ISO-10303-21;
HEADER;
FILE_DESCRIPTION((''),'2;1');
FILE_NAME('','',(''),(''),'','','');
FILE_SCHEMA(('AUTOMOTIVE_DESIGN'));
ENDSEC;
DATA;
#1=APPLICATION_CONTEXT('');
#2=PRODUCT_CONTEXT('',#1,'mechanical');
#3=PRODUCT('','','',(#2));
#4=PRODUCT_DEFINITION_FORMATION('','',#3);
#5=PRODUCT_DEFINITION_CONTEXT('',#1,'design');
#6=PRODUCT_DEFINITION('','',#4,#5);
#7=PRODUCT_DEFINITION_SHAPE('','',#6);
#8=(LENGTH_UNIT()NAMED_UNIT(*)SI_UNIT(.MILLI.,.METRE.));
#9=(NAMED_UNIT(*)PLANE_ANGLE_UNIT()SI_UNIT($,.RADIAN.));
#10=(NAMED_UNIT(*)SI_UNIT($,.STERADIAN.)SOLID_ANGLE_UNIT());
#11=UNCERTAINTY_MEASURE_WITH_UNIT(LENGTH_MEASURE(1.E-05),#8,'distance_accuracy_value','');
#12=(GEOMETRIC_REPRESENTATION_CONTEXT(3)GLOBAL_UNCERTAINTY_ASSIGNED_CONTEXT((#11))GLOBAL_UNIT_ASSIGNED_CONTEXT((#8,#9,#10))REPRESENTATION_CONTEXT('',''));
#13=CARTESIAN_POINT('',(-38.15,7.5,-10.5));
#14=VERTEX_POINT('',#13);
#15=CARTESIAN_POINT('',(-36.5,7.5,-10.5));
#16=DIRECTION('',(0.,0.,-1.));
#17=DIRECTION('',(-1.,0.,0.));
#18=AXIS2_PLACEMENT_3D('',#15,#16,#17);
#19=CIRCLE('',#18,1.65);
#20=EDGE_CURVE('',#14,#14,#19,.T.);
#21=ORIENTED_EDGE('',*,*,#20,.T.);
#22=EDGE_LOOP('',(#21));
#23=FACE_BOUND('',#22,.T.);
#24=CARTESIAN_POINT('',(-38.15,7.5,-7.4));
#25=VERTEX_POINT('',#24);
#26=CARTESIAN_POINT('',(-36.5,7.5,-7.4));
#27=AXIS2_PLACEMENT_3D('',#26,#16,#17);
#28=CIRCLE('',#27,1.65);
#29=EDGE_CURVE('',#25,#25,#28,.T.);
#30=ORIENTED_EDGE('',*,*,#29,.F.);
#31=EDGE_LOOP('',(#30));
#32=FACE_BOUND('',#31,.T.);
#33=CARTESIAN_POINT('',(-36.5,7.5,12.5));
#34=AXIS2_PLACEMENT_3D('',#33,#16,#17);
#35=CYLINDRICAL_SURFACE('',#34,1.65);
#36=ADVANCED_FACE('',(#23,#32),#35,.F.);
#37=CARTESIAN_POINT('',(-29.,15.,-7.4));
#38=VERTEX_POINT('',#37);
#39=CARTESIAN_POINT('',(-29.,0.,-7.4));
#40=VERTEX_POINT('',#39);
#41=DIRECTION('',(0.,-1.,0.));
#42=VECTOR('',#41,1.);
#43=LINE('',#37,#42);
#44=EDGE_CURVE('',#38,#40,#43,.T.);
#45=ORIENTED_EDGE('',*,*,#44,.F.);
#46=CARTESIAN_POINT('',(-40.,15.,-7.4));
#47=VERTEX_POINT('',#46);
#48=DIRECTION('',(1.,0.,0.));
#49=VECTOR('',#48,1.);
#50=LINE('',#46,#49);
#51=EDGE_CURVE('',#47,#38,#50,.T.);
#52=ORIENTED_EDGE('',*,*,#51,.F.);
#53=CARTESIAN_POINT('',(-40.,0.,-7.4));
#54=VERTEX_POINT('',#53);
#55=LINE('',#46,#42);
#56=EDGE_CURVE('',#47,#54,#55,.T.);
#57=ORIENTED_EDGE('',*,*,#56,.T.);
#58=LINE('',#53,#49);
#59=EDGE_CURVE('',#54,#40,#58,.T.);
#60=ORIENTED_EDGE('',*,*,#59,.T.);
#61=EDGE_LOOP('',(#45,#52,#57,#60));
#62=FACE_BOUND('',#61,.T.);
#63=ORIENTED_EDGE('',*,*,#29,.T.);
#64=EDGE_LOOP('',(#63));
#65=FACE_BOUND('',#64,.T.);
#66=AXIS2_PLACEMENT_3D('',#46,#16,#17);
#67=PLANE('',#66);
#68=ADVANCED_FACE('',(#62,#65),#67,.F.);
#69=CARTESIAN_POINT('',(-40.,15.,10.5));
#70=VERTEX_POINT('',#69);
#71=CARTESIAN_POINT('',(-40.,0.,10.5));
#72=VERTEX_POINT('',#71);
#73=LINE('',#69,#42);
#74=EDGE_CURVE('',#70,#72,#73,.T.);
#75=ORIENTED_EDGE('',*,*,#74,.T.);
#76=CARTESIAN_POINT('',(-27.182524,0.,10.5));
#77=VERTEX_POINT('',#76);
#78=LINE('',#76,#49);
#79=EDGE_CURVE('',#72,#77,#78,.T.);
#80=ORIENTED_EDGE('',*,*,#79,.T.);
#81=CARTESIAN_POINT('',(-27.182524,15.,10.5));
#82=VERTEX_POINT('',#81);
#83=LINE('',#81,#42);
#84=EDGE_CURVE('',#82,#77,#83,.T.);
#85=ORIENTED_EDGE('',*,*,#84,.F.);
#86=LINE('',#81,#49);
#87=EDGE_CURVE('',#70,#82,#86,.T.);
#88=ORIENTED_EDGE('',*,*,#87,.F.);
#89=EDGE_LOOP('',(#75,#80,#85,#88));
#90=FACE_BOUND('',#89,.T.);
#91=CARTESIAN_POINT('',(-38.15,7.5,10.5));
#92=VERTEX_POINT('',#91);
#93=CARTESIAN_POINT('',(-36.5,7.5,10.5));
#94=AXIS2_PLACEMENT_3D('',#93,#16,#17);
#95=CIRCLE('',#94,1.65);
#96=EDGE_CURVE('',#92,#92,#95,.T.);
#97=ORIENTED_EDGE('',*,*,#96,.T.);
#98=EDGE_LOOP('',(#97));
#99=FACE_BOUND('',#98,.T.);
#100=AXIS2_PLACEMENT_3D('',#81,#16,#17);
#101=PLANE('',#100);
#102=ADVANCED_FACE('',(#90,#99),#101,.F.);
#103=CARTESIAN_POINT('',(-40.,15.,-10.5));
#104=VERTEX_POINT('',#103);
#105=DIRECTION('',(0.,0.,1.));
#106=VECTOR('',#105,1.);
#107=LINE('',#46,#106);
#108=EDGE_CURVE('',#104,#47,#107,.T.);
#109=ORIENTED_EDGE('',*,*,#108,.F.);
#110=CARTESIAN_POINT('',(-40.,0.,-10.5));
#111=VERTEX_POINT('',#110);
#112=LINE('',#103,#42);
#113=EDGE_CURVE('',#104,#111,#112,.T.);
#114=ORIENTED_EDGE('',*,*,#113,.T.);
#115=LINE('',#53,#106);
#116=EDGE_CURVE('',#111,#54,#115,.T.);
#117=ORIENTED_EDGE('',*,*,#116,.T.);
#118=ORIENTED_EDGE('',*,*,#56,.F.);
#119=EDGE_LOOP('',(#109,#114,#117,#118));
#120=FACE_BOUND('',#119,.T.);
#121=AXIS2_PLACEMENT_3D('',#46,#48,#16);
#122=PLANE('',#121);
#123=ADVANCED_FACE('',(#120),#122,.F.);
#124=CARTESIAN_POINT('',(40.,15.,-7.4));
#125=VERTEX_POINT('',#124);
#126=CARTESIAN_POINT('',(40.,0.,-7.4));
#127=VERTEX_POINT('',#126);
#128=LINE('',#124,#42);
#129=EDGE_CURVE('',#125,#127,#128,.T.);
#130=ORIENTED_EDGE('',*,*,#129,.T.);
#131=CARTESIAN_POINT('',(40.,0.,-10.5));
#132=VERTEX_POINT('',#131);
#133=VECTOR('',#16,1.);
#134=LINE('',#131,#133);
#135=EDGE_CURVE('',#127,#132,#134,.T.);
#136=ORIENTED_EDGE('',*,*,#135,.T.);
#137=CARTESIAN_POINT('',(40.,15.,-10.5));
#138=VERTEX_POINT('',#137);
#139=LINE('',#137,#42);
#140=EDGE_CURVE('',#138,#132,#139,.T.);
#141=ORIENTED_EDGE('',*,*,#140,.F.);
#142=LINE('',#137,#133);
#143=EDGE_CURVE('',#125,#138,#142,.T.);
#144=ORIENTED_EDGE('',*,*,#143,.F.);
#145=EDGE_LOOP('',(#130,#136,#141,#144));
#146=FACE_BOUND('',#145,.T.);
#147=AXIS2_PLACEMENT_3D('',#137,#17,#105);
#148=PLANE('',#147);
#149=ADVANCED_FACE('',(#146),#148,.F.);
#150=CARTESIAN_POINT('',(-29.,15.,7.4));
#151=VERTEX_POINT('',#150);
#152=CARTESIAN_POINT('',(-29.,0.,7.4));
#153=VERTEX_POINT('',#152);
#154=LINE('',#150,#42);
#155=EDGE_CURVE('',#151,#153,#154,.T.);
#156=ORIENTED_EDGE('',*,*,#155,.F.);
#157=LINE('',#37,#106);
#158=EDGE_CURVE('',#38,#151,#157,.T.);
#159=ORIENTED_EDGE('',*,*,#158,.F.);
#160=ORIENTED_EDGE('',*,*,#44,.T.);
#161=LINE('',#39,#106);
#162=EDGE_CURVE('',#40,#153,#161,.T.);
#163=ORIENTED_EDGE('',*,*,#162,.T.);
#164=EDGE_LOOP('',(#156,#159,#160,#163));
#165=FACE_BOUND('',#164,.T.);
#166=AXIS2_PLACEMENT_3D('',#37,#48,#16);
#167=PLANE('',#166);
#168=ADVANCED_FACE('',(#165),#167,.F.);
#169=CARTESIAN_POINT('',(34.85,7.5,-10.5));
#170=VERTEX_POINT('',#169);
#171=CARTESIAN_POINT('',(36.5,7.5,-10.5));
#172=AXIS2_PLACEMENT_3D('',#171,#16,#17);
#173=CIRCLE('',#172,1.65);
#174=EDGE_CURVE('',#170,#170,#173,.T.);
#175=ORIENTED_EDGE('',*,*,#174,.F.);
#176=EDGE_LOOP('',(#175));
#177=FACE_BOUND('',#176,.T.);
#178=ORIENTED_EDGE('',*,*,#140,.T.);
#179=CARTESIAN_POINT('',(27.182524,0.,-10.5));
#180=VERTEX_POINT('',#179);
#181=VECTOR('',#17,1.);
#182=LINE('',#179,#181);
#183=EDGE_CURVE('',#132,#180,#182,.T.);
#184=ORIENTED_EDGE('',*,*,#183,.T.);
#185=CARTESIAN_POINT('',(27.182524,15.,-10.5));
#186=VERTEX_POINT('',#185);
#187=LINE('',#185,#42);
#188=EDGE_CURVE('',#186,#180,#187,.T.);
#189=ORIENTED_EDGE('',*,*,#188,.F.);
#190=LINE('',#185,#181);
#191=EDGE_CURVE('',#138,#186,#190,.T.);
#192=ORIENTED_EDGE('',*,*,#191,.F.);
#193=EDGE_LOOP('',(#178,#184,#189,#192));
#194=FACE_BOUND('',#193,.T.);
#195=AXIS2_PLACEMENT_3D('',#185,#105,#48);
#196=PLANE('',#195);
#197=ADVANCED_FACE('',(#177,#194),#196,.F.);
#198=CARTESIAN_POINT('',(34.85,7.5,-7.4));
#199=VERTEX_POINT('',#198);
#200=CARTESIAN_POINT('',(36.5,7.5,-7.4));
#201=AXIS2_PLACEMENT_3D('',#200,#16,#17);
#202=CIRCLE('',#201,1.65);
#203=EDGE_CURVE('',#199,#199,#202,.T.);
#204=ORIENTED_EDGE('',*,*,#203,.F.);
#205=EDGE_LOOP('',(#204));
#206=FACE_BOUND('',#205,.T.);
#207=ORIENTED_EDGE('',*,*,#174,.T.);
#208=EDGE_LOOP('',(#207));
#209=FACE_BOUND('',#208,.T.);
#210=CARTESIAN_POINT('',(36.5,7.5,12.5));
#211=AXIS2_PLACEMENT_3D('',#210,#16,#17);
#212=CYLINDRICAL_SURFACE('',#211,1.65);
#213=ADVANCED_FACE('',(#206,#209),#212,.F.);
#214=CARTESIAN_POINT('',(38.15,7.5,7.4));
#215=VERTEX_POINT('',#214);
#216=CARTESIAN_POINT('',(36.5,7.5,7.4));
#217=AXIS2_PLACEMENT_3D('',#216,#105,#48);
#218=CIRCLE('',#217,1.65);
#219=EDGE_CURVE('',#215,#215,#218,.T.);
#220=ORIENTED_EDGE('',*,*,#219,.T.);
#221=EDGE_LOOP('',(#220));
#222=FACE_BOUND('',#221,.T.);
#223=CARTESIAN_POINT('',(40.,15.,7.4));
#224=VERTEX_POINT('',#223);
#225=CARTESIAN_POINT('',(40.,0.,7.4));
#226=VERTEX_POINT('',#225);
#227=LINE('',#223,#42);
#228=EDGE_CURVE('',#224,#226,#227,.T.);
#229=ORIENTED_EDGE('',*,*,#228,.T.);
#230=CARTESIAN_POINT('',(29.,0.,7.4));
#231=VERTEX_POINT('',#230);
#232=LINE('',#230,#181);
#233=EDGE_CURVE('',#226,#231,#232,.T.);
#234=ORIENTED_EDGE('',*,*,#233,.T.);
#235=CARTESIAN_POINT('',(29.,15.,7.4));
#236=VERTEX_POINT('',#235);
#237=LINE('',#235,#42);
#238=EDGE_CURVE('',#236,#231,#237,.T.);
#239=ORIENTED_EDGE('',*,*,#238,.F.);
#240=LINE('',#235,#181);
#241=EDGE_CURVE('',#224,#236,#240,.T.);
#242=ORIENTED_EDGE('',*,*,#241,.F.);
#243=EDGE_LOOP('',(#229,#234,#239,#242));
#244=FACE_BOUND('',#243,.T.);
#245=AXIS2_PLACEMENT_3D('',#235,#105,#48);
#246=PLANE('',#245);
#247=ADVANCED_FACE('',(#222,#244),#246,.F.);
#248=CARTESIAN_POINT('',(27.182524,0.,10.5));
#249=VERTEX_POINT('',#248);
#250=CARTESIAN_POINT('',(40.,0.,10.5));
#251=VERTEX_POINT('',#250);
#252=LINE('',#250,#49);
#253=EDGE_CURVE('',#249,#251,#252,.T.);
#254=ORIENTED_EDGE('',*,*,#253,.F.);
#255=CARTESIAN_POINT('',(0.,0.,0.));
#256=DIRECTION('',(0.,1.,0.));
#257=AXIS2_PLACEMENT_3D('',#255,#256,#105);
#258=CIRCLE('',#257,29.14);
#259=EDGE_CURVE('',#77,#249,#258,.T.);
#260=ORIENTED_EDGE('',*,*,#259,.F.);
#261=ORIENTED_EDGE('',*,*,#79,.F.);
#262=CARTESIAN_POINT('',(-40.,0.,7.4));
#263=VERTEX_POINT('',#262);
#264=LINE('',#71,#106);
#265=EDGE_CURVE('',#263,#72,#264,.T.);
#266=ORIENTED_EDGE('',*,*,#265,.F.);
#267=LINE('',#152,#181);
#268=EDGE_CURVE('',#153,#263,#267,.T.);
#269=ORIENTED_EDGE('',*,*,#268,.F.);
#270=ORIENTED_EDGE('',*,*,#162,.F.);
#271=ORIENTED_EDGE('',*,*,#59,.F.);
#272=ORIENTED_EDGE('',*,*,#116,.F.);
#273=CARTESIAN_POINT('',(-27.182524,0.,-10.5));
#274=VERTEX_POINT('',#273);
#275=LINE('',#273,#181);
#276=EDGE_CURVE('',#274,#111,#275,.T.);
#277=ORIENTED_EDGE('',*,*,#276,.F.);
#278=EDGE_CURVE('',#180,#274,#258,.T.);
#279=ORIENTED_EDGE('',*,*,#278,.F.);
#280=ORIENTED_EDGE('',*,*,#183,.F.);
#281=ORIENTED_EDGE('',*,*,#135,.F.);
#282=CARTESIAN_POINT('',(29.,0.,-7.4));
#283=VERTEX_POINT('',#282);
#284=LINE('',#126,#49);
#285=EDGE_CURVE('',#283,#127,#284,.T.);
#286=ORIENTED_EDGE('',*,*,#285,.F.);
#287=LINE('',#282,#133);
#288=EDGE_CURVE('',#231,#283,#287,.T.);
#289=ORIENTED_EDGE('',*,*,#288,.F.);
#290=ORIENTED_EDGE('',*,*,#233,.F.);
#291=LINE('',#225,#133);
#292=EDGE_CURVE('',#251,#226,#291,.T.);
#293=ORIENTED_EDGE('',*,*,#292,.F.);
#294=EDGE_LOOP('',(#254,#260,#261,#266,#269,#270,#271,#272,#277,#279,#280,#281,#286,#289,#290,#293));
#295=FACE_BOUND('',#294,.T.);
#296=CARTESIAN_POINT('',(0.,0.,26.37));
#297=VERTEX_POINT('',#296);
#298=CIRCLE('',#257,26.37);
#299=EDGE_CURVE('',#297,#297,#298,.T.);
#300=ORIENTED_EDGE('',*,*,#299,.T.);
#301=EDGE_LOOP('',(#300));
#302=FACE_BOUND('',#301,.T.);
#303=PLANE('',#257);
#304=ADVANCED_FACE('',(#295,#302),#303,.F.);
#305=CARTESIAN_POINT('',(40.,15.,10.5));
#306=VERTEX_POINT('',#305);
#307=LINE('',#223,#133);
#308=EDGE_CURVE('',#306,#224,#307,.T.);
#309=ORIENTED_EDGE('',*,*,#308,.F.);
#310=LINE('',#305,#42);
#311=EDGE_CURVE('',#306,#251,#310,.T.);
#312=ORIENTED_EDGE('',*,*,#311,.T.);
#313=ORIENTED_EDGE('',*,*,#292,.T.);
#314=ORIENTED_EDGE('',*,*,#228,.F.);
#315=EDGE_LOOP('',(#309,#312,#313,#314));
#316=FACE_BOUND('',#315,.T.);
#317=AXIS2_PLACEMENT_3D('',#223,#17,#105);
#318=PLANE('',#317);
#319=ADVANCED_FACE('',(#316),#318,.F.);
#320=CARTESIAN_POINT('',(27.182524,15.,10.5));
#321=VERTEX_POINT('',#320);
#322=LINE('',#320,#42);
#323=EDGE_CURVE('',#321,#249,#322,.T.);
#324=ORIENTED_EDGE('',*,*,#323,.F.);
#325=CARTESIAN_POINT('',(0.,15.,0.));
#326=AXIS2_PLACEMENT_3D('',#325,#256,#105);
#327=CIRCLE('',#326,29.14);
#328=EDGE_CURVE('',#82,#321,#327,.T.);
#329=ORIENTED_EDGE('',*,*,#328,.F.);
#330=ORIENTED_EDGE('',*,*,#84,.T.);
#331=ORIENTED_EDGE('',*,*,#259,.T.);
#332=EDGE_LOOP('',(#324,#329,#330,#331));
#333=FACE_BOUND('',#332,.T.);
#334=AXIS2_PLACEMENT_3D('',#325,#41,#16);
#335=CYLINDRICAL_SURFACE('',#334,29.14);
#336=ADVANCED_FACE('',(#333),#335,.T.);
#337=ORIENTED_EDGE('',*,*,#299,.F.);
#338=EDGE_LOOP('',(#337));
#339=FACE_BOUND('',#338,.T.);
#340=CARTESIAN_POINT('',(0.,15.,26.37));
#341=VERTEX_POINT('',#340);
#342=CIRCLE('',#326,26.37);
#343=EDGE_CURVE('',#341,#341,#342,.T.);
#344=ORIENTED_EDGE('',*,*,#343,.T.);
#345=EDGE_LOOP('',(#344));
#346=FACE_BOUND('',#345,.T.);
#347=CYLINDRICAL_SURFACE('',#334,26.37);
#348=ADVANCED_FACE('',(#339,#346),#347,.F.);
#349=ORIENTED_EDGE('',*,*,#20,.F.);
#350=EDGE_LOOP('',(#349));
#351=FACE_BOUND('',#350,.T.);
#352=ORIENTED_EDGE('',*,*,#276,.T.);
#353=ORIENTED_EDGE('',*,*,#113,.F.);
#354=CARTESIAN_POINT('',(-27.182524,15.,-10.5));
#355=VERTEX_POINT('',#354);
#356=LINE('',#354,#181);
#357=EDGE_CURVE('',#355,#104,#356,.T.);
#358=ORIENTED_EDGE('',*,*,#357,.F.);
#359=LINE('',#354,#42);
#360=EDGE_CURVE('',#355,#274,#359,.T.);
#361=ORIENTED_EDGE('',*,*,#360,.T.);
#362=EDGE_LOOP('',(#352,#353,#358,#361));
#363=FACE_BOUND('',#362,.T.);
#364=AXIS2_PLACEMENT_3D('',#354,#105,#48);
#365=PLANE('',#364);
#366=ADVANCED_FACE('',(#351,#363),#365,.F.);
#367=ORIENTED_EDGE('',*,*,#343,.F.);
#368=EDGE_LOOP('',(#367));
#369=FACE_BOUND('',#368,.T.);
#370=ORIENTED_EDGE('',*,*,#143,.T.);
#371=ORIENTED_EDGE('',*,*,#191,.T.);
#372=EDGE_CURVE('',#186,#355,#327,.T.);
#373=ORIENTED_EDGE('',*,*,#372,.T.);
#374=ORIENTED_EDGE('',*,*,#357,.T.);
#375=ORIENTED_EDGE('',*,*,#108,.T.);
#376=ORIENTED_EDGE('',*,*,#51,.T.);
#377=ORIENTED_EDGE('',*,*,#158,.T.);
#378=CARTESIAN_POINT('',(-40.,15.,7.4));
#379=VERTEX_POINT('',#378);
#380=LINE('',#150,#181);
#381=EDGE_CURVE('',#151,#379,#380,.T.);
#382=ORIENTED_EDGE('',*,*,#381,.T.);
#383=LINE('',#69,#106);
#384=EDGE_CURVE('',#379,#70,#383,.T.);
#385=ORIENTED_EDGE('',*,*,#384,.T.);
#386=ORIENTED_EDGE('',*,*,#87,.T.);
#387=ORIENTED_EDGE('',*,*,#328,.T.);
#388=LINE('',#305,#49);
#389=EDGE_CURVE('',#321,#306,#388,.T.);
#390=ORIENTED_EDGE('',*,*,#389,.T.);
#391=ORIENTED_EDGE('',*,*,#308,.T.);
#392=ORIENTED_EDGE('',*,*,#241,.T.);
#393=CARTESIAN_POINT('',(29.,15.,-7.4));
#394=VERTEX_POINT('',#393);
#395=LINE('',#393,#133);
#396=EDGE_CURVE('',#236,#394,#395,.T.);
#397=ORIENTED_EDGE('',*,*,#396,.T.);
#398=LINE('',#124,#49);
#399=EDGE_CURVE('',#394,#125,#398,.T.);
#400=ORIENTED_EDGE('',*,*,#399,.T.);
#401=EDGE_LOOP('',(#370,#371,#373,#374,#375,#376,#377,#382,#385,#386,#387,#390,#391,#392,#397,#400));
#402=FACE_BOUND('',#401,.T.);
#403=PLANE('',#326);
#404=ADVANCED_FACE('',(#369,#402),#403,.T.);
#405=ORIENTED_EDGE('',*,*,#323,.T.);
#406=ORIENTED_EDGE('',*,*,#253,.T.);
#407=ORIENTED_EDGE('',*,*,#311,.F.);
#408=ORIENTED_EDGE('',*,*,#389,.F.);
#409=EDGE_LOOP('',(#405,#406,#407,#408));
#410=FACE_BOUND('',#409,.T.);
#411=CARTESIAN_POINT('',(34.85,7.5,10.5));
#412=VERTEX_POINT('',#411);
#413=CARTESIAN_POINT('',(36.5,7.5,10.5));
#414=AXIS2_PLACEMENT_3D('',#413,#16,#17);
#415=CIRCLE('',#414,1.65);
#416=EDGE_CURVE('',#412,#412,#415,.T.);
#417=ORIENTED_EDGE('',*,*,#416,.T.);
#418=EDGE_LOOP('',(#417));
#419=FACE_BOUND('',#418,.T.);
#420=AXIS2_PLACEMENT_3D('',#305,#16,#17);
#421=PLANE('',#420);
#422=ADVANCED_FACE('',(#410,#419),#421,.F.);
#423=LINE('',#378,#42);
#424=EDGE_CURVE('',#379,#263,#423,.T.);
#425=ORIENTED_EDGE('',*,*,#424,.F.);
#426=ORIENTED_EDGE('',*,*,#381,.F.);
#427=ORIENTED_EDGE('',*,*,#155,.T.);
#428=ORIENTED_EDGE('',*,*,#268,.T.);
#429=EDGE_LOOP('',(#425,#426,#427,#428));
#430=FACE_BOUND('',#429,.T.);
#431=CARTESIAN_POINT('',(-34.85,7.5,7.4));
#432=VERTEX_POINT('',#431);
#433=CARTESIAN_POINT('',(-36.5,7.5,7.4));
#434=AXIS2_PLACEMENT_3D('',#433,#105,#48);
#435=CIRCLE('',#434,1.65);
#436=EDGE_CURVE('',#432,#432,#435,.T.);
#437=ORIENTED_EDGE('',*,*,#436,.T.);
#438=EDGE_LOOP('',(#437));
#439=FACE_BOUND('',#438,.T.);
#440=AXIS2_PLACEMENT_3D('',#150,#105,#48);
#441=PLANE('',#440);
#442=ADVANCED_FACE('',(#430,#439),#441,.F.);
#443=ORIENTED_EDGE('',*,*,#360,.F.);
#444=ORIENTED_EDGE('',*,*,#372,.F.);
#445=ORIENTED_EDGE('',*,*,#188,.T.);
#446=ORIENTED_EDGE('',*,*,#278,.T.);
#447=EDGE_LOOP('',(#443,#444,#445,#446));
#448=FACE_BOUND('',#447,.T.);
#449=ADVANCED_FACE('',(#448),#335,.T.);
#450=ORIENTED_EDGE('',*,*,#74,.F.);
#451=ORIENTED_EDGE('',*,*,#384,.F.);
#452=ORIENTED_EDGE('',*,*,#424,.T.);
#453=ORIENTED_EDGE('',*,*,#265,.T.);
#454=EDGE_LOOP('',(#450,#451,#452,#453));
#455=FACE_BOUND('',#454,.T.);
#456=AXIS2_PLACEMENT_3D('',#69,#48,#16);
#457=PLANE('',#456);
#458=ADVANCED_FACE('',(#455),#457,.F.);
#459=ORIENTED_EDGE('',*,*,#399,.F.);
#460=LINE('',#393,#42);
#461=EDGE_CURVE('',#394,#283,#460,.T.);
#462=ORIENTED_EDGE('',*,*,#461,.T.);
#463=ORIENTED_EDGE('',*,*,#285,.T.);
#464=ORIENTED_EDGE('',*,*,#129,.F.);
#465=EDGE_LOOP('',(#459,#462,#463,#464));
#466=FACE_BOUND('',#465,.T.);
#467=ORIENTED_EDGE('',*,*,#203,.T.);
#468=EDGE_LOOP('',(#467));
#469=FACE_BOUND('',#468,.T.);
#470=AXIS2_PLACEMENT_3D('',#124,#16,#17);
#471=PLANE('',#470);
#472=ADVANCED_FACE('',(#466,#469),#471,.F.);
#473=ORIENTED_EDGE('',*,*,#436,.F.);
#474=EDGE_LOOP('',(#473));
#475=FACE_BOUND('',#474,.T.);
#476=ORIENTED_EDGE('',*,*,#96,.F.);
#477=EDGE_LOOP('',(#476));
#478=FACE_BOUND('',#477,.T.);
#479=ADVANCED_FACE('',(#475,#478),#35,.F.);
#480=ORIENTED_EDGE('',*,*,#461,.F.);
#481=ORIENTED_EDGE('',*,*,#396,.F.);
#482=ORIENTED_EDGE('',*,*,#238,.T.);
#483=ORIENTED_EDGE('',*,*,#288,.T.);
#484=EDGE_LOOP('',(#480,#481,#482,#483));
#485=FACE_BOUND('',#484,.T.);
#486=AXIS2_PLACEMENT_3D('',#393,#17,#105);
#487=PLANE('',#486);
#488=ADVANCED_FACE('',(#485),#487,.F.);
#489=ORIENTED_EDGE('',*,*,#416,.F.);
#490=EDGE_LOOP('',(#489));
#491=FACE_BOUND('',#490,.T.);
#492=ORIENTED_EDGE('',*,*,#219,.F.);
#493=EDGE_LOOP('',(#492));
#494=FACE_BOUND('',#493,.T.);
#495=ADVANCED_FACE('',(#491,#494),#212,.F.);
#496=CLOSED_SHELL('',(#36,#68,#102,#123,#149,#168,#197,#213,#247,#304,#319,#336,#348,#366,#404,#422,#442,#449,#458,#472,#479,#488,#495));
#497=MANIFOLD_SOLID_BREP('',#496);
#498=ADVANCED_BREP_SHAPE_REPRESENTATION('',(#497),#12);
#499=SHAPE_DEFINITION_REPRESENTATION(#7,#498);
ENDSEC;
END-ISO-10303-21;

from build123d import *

# Parameters (mm, degrees)
SKETCH_1_R          = 26.37
EXTRUDE_1_DEPTH     = 15
SKETCH_2_R          = 1.65
CUT_EXTRUDE_1_DEPTH = 23


with BuildPart() as part:
    # 草图1 → 凸台-拉伸1 (new body)
    with BuildSketch(Plane(origin=(0, 0, 0), x_dir=(1, 0, 0), z_dir=(0, 1, 0))):
        with BuildLine():
            Line((-40, 7.4), (-29, 7.4))
            Line((-29, 7.4), (-29, -7.4))
            Line((-29, -7.4), (-40, -7.4))
            Line((-40, -7.4), (-40, -10.5))
            Line((-40, -10.5), (-27.182523797, -10.5))
            ThreePointArc((-27.182523797, -10.5), (0, -29.14), (27.182523797, -10.5))
            Line((27.182523797, -10.5), (40, -10.5))
            Line((40, -10.5), (40, -7.4))
            Line((40, -7.4), (29, -7.4))
            Line((29, -7.4), (29, 7.4))
            Line((29, 7.4), (40, 7.4))
            Line((40, 7.4), (40, 10.5))
            Line((40, 10.5), (27.182523797, 10.5))
            ThreePointArc((27.182523797, 10.5), (0, 29.14), (-27.182523797, 10.5))
            Line((-27.182523797, 10.5), (-40, 10.5))
            Line((-40, 10.5), (-40, 7.4))
        make_face()
        Circle(SKETCH_1_R, mode=Mode.SUBTRACT)
    extrude(amount=EXTRUDE_1_DEPTH)

    # 草图2 → 切除-拉伸1 (cut)
    with BuildSketch(Plane(origin=(0, 0, -10.5), x_dir=(-1, 0, 0), z_dir=(0, 0, -1))):
        with Locations((36.5, 7.5)):
            Circle(SKETCH_2_R)
        with Locations((-36.5, 7.5)):
            Circle(SKETCH_2_R)
    extrude(amount=-CUT_EXTRUDE_1_DEPTH, mode=Mode.SUBTRACT)


solid = part.part
